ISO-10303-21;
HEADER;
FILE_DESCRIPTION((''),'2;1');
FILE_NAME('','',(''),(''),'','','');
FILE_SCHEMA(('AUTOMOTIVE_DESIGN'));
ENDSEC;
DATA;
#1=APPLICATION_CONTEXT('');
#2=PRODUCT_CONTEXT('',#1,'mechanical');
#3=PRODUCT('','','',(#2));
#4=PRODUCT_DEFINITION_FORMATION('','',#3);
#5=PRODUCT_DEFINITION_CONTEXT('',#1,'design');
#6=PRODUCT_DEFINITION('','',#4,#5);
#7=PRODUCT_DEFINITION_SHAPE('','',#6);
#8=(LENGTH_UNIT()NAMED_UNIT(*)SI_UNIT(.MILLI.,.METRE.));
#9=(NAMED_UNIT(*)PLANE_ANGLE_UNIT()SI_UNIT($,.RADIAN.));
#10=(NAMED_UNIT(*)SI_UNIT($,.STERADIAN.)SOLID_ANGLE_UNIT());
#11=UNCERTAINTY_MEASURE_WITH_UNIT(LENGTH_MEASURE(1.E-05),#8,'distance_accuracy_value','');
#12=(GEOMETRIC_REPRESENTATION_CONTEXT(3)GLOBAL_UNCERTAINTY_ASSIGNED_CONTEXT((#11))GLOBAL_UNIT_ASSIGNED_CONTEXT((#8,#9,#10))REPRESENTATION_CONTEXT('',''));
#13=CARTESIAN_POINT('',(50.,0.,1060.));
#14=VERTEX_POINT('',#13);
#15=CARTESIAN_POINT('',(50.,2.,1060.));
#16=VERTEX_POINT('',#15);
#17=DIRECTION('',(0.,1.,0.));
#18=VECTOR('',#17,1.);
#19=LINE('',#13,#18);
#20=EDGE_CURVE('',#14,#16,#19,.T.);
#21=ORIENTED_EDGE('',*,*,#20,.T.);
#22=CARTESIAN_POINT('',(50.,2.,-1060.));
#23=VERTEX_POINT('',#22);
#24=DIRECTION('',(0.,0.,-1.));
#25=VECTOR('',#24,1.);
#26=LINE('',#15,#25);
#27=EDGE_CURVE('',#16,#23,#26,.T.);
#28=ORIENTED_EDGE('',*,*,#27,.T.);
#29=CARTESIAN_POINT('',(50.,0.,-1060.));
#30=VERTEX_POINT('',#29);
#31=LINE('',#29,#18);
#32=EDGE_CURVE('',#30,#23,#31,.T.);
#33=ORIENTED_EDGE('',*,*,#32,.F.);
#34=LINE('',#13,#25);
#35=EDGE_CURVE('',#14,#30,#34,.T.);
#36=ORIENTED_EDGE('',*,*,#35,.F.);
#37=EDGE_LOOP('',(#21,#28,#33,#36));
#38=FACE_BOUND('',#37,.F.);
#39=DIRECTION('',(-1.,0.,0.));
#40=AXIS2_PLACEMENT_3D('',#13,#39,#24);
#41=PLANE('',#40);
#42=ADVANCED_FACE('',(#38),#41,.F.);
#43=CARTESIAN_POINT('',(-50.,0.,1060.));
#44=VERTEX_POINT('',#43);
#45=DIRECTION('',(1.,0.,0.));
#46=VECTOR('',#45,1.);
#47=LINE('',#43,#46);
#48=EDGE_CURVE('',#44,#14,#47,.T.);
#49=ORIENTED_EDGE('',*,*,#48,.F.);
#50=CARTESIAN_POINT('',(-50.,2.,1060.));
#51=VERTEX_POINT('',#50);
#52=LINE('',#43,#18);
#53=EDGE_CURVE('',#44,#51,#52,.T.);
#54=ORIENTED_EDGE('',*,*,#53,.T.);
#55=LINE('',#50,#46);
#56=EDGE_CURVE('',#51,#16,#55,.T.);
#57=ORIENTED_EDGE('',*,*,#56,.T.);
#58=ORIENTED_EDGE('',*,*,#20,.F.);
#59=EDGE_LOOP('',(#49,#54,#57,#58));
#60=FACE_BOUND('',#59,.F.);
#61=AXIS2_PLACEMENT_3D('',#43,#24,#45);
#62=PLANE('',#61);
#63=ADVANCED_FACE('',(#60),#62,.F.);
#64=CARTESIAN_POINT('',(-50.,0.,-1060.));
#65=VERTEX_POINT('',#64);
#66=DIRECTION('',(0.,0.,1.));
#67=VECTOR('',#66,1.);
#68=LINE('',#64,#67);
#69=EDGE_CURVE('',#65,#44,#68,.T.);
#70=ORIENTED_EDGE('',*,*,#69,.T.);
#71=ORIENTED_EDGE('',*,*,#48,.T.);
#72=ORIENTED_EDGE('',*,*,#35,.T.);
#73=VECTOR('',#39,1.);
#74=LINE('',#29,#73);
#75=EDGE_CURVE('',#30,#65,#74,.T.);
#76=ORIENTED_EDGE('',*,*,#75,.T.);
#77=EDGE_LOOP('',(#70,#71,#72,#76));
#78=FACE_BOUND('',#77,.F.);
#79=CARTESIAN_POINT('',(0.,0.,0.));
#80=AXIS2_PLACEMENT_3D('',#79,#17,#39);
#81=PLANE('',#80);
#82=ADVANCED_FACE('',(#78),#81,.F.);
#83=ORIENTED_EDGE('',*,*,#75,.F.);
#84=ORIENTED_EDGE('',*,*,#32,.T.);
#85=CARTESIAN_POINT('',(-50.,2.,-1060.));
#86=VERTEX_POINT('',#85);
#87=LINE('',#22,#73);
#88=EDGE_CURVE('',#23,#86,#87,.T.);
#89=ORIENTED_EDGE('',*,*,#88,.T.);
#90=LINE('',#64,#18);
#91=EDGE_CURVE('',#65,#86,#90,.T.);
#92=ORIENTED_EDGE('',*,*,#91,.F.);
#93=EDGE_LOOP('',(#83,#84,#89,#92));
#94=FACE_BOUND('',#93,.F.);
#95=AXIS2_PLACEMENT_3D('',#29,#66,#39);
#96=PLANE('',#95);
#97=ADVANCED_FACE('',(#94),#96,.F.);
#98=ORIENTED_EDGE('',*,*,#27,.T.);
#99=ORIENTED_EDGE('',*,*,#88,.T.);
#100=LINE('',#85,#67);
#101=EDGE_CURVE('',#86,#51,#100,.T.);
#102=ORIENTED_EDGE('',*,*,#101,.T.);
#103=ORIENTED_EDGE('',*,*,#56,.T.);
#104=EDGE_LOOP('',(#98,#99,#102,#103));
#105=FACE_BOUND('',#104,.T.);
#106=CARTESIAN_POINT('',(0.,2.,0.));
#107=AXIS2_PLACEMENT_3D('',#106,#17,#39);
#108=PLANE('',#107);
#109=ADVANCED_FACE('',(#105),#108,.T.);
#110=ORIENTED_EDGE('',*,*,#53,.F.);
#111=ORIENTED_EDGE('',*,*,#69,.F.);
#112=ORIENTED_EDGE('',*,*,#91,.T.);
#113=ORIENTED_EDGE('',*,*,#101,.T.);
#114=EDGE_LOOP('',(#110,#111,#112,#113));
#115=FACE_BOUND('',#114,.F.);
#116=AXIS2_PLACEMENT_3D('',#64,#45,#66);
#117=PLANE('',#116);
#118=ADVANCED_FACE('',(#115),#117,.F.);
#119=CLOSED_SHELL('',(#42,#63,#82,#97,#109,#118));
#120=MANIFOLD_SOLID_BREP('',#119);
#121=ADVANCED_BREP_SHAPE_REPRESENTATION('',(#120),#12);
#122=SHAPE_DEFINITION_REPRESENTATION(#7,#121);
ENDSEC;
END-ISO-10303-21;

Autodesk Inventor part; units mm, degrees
ref_plane "YZ Plane" through (0, 0, 0) normal (1, 0, 0) x (0, 1, 0)
ref_plane "XZ Plane" through (0, 0, 0) normal (0, 1, 0) x (-1, 0, 0)
ref_plane "XY Plane" through (0, 0, 0) normal (0, 0, 1) x (1, 0, 0)
sketch "Sketch1" plane through (0, 0, 0) normal (0, 1, 0) x (-1, 0, 0)
  line L0 (50, 1060) -> (-50, 1060)
  line L1 (-50, 1060) -> (-50, -1060)
  line L2 (-50, -1060) -> (50, -1060)
  line L3 (50, -1060) -> (50, 1060)
  line L4 (50, 1060) -> (-50, -1060) construction
  point P0 (0, 0)
  point P1 (0, 0)
  dimension "d0" = 100
  dimension "d1" = 2120
extrude "Plate1" add sketch "Sketch1" along normal blind 2
equation "\"d2\" = Thickness"
equation "\"BendReliefWidth\" = Thickness"
equation "\"BendReliefDepth\" = 0.5 * Thickness"
equation "\"CornerReliefSize\" = 4 * Thickness"
equation "\"MinimumRemnant\" = 2 * Thickness"
equation "\"TransitionRadius\" = BendRadius"
equation "\"JacobiRadiusSize\" = BendRadius"
equation "\"GapSize\" = Thickness"
equation "\"Thickness\" = 2"
equation "\"BendRadius\" = 2.75"
properties part number "ASY Рама №3 платформа1" material "Stainless Steel"
